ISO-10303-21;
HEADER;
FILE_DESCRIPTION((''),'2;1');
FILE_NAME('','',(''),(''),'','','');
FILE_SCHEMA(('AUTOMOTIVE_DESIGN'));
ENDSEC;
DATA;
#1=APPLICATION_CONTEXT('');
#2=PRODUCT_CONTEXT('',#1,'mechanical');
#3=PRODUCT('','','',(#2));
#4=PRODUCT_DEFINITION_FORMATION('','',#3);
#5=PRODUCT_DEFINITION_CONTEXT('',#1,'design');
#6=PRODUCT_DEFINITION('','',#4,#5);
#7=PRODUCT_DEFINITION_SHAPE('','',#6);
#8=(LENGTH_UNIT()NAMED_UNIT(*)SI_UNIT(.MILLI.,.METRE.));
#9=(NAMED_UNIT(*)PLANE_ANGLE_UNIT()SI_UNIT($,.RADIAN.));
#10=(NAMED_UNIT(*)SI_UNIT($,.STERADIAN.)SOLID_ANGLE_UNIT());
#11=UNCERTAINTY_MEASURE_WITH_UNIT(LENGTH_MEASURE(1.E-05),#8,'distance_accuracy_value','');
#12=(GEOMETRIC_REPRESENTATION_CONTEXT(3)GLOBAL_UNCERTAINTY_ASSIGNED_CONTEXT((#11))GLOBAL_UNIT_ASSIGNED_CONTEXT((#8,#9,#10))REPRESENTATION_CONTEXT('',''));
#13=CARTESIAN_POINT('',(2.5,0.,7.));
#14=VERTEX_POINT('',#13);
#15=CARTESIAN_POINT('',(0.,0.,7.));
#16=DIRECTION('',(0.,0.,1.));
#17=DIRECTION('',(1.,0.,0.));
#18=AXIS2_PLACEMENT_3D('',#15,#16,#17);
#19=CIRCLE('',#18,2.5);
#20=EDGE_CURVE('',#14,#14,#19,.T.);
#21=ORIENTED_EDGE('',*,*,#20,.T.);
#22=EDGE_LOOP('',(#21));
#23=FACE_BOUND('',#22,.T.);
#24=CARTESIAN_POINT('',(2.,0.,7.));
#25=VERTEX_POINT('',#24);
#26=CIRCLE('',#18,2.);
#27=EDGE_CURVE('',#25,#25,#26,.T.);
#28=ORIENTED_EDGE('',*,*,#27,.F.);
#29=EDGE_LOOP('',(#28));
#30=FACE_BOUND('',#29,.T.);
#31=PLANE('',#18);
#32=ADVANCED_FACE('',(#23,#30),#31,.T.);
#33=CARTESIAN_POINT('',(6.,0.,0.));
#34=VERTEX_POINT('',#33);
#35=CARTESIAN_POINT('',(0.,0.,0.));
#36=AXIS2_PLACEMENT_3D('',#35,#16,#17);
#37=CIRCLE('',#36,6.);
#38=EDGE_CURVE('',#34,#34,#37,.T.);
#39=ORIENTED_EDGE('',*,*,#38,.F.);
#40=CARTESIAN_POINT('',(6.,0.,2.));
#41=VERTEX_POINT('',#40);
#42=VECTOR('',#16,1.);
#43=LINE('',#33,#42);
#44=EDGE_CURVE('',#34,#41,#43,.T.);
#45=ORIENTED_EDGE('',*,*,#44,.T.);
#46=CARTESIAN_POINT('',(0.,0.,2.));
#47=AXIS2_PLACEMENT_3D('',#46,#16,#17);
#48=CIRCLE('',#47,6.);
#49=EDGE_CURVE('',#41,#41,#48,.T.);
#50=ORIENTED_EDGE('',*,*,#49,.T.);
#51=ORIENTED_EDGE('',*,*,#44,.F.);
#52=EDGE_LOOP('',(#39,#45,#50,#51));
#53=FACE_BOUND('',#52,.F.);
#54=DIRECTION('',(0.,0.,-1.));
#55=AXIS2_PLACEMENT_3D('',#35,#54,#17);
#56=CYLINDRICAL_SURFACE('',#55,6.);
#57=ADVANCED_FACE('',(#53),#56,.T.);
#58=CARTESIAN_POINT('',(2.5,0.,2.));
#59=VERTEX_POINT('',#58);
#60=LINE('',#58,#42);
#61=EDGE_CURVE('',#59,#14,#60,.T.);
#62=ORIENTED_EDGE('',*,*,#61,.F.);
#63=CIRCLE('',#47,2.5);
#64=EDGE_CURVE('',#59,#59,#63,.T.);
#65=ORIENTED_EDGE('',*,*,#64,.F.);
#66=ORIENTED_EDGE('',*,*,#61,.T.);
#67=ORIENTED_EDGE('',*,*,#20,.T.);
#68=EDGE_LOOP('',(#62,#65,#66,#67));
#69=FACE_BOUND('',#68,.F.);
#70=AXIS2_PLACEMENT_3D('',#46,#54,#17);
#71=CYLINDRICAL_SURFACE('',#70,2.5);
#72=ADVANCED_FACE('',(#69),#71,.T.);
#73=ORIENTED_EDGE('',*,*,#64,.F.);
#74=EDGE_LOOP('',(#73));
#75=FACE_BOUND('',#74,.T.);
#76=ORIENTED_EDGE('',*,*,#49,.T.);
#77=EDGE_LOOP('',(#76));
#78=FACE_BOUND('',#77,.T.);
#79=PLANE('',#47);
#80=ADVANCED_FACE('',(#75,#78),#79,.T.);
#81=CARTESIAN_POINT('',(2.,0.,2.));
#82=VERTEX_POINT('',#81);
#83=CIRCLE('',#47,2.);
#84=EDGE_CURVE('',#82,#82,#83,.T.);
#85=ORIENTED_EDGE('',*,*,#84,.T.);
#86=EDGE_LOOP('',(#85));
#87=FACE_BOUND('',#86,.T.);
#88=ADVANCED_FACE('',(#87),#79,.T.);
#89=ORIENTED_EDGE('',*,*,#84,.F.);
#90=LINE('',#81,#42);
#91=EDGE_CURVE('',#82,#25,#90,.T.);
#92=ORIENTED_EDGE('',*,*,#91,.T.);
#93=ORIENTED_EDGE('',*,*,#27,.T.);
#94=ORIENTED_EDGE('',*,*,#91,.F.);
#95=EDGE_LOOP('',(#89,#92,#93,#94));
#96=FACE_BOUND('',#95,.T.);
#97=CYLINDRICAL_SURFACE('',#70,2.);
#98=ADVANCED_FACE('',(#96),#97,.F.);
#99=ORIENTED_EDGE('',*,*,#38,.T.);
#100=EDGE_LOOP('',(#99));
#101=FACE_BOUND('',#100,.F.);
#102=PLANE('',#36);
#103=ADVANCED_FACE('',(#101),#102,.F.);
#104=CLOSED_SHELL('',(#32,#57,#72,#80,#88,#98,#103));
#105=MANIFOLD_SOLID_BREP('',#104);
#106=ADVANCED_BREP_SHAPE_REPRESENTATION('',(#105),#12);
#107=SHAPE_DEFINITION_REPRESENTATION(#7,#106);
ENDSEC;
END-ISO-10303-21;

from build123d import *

# Parameters (mm, degrees)
SKETCH_1_R      = 6
EXTRUDE_1_DEPTH = 2
SKETCH_2_R      = 2.5
SKETCH_2_R_2    = 2
EXTRUDE_2_DEPTH = 5


with BuildPart() as part:
    # 草图1 → 凸台-拉伸1 (new body)
    with BuildSketch(Plane.XY):
        Circle(SKETCH_1_R)
    extrude(amount=EXTRUDE_1_DEPTH)

    # 草图2 → 凸台-拉伸2 (add)
    with BuildSketch(Plane.XY.offset(2)):
        Circle(SKETCH_2_R)
        Circle(SKETCH_2_R_2, mode=Mode.SUBTRACT)
    extrude(amount=EXTRUDE_2_DEPTH)


solid = part.part
